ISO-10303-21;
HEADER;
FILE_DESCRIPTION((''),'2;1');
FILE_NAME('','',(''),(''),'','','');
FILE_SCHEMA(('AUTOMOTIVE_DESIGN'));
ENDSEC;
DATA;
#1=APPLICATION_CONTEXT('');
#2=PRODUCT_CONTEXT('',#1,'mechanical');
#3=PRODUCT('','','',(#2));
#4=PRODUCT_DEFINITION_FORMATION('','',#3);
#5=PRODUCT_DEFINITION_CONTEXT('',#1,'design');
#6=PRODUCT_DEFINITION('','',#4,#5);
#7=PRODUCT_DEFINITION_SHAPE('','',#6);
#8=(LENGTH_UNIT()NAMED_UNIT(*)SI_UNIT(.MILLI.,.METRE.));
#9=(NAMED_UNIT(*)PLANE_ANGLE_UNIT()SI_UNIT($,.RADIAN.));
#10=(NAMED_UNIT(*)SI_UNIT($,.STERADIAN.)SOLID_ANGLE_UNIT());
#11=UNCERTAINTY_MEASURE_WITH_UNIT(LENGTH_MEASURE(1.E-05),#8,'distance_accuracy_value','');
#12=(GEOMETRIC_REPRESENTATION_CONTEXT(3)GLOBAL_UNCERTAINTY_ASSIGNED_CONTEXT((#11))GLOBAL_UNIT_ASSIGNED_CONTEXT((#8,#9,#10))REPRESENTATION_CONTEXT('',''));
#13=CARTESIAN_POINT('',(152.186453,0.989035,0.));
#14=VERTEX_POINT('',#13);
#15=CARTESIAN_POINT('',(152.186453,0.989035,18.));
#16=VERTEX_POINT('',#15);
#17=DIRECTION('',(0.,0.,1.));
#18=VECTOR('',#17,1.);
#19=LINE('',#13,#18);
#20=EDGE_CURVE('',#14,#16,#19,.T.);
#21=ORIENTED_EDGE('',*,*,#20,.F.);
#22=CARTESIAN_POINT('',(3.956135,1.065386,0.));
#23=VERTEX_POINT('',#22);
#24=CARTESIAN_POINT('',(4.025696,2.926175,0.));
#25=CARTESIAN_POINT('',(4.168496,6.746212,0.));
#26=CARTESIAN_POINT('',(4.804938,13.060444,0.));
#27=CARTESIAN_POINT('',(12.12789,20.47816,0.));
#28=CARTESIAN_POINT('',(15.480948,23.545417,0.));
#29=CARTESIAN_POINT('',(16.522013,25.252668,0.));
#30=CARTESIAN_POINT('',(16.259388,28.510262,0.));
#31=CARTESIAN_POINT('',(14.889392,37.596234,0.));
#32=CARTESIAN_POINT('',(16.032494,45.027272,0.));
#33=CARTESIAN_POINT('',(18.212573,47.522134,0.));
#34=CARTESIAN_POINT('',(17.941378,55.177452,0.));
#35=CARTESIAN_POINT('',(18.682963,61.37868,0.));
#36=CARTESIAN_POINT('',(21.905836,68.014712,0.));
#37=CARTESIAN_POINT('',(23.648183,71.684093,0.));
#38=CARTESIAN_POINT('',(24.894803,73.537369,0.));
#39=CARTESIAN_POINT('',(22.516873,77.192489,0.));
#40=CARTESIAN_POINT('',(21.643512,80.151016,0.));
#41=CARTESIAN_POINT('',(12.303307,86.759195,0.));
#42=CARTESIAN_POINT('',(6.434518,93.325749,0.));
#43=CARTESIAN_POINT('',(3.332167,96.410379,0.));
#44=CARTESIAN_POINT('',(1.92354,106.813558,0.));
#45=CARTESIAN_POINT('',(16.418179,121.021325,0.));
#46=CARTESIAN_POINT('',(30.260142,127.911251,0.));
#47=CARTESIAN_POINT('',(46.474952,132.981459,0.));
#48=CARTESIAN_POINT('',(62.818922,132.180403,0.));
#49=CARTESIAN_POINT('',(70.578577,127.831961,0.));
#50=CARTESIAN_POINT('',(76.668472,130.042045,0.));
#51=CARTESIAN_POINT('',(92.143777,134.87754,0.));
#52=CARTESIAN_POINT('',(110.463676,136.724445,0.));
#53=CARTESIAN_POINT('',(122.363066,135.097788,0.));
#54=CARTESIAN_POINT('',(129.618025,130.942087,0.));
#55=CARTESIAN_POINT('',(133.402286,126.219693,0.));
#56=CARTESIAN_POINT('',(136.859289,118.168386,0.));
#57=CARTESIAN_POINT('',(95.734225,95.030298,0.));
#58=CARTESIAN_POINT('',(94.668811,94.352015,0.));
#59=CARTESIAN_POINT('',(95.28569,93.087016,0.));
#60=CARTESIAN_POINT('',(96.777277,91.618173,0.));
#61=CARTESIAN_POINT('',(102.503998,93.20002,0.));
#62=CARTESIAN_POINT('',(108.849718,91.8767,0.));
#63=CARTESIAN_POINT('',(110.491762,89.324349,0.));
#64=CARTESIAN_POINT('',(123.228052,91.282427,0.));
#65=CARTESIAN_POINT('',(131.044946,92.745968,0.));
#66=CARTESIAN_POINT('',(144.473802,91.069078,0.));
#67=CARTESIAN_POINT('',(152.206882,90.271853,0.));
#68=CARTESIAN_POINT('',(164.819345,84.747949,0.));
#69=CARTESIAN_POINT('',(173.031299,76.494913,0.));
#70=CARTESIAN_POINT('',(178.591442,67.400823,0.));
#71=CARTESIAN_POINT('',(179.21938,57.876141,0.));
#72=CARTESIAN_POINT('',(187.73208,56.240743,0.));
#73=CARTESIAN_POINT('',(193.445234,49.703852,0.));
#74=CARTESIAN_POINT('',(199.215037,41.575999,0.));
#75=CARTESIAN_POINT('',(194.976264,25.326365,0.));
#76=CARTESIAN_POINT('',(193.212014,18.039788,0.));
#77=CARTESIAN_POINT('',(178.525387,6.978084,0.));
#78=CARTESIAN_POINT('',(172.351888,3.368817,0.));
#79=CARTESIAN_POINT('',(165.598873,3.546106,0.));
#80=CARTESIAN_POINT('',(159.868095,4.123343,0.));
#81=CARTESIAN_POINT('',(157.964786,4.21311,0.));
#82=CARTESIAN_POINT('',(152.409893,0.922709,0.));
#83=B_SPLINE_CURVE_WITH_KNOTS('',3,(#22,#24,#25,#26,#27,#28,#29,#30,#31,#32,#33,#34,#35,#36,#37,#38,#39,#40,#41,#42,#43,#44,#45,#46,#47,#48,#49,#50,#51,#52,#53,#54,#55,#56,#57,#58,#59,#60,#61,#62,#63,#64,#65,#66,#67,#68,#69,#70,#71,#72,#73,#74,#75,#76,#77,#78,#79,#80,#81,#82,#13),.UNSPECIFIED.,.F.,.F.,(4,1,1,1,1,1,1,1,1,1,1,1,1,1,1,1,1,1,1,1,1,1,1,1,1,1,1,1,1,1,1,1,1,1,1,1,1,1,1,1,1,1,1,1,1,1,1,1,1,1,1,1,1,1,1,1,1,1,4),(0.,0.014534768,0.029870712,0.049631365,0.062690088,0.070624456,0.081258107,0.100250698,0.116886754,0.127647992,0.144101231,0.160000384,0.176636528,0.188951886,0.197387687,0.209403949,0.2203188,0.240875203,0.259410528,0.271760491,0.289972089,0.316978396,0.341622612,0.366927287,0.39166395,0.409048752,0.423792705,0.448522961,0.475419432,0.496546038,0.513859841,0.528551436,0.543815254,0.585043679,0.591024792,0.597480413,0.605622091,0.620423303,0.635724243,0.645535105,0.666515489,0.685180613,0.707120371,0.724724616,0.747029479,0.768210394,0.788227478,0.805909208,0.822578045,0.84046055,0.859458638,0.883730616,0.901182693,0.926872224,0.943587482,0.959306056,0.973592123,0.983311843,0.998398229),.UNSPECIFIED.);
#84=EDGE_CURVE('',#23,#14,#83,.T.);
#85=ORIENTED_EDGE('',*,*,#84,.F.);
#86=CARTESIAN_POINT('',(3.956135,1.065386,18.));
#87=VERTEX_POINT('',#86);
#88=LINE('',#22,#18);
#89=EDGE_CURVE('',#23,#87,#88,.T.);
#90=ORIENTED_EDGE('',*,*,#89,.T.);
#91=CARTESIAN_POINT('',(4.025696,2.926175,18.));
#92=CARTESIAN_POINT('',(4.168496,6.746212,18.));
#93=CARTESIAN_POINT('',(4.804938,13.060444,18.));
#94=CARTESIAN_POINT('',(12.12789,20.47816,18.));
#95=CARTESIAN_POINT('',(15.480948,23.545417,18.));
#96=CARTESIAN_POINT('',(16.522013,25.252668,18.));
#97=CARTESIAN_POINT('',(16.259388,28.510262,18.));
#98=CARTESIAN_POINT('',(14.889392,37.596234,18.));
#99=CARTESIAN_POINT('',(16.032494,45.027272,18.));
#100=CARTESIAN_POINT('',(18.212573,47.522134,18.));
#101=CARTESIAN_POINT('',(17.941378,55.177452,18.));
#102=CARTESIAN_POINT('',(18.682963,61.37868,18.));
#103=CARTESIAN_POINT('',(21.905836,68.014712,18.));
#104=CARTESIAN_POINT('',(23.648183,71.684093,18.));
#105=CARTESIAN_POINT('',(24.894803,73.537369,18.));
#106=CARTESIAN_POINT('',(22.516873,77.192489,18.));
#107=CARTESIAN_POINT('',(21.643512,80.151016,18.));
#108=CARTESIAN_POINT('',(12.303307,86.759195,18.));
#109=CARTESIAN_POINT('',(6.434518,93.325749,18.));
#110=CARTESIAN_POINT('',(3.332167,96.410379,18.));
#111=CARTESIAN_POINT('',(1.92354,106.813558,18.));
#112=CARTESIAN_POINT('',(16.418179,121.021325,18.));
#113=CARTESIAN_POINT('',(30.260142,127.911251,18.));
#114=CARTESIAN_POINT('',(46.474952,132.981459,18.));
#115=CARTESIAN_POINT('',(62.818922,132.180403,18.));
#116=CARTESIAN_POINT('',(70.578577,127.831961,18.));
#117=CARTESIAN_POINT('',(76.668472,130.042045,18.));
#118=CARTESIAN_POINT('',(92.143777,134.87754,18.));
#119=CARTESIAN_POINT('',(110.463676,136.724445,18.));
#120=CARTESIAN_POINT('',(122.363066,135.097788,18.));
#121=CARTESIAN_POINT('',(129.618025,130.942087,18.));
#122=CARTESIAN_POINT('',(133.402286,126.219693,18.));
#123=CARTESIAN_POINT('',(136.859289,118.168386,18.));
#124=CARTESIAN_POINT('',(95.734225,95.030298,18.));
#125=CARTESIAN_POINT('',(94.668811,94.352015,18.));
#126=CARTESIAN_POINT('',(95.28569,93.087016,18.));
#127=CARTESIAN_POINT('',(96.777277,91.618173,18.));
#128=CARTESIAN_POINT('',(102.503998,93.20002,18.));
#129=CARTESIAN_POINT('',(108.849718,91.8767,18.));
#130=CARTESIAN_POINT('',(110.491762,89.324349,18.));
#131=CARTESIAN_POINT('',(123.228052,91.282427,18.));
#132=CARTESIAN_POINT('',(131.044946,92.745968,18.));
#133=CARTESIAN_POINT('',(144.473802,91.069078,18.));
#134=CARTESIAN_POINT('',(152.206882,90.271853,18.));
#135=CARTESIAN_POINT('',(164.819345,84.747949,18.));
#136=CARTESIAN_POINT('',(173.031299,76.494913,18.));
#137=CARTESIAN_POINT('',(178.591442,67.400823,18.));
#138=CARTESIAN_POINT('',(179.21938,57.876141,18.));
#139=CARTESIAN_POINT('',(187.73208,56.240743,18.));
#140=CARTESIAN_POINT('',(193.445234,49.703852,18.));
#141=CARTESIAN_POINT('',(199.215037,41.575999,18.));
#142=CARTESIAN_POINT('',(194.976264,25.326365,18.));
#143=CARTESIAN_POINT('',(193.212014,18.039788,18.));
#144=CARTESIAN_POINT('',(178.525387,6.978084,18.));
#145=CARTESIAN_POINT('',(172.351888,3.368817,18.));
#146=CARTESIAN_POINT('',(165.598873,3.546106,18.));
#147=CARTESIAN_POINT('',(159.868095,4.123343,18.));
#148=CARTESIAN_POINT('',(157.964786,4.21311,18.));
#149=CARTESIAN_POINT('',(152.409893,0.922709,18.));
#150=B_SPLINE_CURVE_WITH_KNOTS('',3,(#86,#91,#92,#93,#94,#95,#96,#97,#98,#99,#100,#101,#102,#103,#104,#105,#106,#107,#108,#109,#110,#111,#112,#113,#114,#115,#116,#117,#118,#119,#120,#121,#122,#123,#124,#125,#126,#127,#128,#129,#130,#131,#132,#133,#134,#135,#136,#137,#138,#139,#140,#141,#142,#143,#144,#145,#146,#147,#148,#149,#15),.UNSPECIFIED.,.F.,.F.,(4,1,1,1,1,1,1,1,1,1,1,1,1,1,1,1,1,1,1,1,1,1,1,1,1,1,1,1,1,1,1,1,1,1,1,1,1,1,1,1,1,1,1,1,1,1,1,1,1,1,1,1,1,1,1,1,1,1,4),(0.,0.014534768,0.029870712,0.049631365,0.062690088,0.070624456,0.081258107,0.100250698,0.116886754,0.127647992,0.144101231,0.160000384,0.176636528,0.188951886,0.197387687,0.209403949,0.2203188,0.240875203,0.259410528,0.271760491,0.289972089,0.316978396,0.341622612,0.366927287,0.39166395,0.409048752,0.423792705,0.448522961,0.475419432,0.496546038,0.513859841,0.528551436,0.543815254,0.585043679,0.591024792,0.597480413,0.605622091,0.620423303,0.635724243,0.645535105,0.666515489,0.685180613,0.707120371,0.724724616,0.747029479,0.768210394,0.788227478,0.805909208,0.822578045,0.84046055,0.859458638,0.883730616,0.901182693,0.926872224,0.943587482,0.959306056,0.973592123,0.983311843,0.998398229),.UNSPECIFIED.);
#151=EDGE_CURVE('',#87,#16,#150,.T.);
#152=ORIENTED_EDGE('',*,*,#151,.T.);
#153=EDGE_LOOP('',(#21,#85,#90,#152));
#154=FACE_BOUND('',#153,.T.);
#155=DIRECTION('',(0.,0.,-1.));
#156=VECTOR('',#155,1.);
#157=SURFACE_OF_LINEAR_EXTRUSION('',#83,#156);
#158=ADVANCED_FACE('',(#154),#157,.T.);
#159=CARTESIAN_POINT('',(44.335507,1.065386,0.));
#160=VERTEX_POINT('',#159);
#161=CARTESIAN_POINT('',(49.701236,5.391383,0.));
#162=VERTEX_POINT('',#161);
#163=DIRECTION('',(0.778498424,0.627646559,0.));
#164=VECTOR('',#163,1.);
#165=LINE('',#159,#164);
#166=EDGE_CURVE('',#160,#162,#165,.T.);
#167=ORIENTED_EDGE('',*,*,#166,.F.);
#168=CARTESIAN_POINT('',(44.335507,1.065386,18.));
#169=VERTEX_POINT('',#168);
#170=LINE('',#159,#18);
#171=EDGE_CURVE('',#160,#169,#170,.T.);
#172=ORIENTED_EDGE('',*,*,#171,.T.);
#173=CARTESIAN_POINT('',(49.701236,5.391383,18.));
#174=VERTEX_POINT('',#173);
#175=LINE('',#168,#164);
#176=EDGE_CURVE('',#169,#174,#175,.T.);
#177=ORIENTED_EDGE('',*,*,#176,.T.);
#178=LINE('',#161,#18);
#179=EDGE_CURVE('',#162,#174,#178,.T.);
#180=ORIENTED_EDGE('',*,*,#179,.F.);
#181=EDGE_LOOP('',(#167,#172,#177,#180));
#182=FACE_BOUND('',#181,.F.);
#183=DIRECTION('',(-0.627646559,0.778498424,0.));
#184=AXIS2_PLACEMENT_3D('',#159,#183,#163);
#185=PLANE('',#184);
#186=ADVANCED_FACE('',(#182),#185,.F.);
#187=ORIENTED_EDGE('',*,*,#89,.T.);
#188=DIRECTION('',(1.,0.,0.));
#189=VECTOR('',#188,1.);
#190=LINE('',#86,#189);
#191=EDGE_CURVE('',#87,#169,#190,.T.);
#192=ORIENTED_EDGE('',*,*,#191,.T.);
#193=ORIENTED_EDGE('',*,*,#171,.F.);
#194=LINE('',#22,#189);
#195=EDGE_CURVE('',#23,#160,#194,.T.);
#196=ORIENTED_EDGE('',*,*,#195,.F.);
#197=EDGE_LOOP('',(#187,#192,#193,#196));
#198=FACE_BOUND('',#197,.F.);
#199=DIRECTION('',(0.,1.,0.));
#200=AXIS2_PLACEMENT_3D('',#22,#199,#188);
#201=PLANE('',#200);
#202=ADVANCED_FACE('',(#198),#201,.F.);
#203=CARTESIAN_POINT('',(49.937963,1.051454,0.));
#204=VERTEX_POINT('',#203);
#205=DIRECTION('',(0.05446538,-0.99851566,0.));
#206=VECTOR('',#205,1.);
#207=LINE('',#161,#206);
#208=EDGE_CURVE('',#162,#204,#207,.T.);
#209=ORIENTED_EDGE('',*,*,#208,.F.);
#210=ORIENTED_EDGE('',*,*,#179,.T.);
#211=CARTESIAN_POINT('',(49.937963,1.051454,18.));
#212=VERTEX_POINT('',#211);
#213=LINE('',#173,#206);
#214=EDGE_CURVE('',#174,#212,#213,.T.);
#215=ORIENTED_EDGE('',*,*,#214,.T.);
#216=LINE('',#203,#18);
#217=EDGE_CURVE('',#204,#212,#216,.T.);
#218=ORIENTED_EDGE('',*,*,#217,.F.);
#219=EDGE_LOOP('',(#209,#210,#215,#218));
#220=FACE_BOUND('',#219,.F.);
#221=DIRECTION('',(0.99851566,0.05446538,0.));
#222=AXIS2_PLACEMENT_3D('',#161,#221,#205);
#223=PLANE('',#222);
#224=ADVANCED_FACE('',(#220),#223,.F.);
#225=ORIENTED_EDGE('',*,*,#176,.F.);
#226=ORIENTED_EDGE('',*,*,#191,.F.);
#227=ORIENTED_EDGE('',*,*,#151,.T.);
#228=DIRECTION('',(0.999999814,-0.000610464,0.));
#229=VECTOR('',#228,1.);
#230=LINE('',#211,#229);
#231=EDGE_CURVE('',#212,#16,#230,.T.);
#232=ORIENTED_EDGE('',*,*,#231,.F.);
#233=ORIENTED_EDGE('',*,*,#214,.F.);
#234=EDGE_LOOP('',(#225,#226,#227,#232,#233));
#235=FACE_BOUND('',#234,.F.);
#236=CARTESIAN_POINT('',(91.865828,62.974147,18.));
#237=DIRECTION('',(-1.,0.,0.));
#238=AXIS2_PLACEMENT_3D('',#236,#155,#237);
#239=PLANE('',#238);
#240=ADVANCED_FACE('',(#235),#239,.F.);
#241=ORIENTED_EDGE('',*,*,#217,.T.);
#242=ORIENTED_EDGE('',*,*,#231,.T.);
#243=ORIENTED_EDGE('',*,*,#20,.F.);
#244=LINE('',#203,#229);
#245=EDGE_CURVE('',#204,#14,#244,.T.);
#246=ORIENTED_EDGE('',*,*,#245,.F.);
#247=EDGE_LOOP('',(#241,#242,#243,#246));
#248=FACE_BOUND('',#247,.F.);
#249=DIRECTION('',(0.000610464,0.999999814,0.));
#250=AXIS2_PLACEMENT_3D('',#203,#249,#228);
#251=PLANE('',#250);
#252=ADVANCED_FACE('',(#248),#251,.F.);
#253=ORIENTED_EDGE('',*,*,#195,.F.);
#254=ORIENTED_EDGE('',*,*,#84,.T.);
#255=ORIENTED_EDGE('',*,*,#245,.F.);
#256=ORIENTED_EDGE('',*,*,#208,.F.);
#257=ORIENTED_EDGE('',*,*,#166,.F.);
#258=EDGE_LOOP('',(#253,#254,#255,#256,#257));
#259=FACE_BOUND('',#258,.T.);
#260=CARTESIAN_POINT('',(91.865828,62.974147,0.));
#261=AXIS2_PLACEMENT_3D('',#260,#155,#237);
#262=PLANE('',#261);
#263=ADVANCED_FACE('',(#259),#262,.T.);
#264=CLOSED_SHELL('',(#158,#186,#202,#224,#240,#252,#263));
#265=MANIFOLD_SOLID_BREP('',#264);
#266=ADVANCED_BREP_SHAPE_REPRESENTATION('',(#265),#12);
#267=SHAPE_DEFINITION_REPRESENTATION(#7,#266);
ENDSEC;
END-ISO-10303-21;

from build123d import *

# Parameters (mm, degrees)
F1_DEPTH = 18


with BuildPart() as f1:
    # F0 (on Top) → F1 (new body)
    with BuildSketch(Plane.XY):
        with BuildLine():
            add(Edge.make_bspline(
                [(3.9561353624, 1.0653864592), (4.0256955345, 2.9261752209), (4.1684964871, 6.7462118875), (4.8049380276, 13.060444088), (12.1278904893, 20.4781601883), (15.4809479093, 23.5454170625), (16.5220126779, 25.2526682698), (16.2593882597, 28.5102622565), (14.8893921712, 37.5962337842), (16.0324935063, 45.0272719985), (18.2125727796, 47.5221342952), (17.941378147, 55.177452398), (18.6829625714, 61.3786797655), (21.9058358496, 68.0147120541), (23.6481831871, 71.6840928815), (24.8948026327, 73.5373689268), (22.5168729216, 77.192488655), (21.6435120245, 80.1510156977), (12.3033067139, 86.7591953077), (6.4345178315, 93.3257492773), (3.3321667177, 96.4103786967), (1.9235398692, 106.8135580849), (16.4181786177, 121.0213247921), (30.2601421326, 127.911250908), (46.4749515539, 132.9814593573), (62.8189220428, 132.1804026479), (70.5785768085, 127.831960695), (76.6684716166, 130.0420452623), (92.1437769157, 134.8775403865), (110.4636760801, 136.7244451323), (122.3630656673, 135.0977880315), (129.6180252862, 130.942087482), (133.4022860458, 126.2196929459), (136.8592894245, 118.1683859193), (95.734225473, 95.0302981851), (94.6688105756, 94.3520146362), (95.2856900468, 93.0870163666), (96.777276908, 91.6181733144), (102.5039976346, 93.2000196132), (108.849717754, 91.8767002359), (110.4917621334, 89.3243493373), (123.2280517976, 91.2824267052), (131.0449456144, 92.7459684646), (144.4738015131, 91.069078194), (152.206882215, 90.2718533831), (164.8193450948, 84.7479490401), (173.0312994332, 76.4949133294), (178.5914418141, 67.4008226579), (179.2193801299, 57.8761413519), (187.7320801015, 56.2407427729), (193.4452341913, 49.7038524773), (199.2150371286, 41.5759991785), (194.9762636255, 25.3263648812), (193.2120137539, 18.0397879862), (178.5253873946, 6.9780844531), (172.351887507, 3.3688172902), (165.5988734316, 3.5461057274), (159.8680946184, 4.123343459), (157.9647857643, 4.213110247), (152.4098928723, 0.9227093736), (152.1864533424, 0.9890345391)],
                knots=[0, 0, 0, 0, 0.014534768, 0.0298707122, 0.0496313647, 0.0626900883, 0.070624456, 0.0812581072, 0.1002506977, 0.1168867539, 0.1276479915, 0.1441012309, 0.1600003837, 0.1766365276, 0.1889518863, 0.1973876869, 0.2094039487, 0.2203188003, 0.240875203, 0.259410528, 0.2717604912, 0.2899720895, 0.3169783963, 0.341622612, 0.3669272872, 0.39166395, 0.4090487523, 0.4237927048, 0.4485229605, 0.475419432, 0.4965460378, 0.5138598407, 0.528551436, 0.5438152537, 0.5850436789, 0.591024792, 0.5974804129, 0.6056220909, 0.6204233026, 0.6357242432, 0.6455351047, 0.666515489, 0.6851806126, 0.7071203714, 0.7247246164, 0.7470294786, 0.7682103937, 0.788227478, 0.805909208, 0.8225780451, 0.8404605501, 0.8594586382, 0.8837306165, 0.9011826931, 0.9268722245, 0.9435874816, 0.9593060557, 0.9735921228, 0.9833118426, 0.9983982291, 0.9983982291, 0.9983982291, 0.9983982291], degree=3))
            Line((3.9561353624, 1.0653864592), (44.3355068564, 1.0653864592))
            Line((44.3355068564, 1.0653864592), (49.7012361884, 5.3913830779))
            Line((49.7012361884, 5.3913830779), (49.9379634857, 1.0514535243))
            Line((49.9379634857, 1.0514535243), (152.1864533424, 0.9890345391))
        make_face()
    extrude(amount=F1_DEPTH)


solid = f1.part
